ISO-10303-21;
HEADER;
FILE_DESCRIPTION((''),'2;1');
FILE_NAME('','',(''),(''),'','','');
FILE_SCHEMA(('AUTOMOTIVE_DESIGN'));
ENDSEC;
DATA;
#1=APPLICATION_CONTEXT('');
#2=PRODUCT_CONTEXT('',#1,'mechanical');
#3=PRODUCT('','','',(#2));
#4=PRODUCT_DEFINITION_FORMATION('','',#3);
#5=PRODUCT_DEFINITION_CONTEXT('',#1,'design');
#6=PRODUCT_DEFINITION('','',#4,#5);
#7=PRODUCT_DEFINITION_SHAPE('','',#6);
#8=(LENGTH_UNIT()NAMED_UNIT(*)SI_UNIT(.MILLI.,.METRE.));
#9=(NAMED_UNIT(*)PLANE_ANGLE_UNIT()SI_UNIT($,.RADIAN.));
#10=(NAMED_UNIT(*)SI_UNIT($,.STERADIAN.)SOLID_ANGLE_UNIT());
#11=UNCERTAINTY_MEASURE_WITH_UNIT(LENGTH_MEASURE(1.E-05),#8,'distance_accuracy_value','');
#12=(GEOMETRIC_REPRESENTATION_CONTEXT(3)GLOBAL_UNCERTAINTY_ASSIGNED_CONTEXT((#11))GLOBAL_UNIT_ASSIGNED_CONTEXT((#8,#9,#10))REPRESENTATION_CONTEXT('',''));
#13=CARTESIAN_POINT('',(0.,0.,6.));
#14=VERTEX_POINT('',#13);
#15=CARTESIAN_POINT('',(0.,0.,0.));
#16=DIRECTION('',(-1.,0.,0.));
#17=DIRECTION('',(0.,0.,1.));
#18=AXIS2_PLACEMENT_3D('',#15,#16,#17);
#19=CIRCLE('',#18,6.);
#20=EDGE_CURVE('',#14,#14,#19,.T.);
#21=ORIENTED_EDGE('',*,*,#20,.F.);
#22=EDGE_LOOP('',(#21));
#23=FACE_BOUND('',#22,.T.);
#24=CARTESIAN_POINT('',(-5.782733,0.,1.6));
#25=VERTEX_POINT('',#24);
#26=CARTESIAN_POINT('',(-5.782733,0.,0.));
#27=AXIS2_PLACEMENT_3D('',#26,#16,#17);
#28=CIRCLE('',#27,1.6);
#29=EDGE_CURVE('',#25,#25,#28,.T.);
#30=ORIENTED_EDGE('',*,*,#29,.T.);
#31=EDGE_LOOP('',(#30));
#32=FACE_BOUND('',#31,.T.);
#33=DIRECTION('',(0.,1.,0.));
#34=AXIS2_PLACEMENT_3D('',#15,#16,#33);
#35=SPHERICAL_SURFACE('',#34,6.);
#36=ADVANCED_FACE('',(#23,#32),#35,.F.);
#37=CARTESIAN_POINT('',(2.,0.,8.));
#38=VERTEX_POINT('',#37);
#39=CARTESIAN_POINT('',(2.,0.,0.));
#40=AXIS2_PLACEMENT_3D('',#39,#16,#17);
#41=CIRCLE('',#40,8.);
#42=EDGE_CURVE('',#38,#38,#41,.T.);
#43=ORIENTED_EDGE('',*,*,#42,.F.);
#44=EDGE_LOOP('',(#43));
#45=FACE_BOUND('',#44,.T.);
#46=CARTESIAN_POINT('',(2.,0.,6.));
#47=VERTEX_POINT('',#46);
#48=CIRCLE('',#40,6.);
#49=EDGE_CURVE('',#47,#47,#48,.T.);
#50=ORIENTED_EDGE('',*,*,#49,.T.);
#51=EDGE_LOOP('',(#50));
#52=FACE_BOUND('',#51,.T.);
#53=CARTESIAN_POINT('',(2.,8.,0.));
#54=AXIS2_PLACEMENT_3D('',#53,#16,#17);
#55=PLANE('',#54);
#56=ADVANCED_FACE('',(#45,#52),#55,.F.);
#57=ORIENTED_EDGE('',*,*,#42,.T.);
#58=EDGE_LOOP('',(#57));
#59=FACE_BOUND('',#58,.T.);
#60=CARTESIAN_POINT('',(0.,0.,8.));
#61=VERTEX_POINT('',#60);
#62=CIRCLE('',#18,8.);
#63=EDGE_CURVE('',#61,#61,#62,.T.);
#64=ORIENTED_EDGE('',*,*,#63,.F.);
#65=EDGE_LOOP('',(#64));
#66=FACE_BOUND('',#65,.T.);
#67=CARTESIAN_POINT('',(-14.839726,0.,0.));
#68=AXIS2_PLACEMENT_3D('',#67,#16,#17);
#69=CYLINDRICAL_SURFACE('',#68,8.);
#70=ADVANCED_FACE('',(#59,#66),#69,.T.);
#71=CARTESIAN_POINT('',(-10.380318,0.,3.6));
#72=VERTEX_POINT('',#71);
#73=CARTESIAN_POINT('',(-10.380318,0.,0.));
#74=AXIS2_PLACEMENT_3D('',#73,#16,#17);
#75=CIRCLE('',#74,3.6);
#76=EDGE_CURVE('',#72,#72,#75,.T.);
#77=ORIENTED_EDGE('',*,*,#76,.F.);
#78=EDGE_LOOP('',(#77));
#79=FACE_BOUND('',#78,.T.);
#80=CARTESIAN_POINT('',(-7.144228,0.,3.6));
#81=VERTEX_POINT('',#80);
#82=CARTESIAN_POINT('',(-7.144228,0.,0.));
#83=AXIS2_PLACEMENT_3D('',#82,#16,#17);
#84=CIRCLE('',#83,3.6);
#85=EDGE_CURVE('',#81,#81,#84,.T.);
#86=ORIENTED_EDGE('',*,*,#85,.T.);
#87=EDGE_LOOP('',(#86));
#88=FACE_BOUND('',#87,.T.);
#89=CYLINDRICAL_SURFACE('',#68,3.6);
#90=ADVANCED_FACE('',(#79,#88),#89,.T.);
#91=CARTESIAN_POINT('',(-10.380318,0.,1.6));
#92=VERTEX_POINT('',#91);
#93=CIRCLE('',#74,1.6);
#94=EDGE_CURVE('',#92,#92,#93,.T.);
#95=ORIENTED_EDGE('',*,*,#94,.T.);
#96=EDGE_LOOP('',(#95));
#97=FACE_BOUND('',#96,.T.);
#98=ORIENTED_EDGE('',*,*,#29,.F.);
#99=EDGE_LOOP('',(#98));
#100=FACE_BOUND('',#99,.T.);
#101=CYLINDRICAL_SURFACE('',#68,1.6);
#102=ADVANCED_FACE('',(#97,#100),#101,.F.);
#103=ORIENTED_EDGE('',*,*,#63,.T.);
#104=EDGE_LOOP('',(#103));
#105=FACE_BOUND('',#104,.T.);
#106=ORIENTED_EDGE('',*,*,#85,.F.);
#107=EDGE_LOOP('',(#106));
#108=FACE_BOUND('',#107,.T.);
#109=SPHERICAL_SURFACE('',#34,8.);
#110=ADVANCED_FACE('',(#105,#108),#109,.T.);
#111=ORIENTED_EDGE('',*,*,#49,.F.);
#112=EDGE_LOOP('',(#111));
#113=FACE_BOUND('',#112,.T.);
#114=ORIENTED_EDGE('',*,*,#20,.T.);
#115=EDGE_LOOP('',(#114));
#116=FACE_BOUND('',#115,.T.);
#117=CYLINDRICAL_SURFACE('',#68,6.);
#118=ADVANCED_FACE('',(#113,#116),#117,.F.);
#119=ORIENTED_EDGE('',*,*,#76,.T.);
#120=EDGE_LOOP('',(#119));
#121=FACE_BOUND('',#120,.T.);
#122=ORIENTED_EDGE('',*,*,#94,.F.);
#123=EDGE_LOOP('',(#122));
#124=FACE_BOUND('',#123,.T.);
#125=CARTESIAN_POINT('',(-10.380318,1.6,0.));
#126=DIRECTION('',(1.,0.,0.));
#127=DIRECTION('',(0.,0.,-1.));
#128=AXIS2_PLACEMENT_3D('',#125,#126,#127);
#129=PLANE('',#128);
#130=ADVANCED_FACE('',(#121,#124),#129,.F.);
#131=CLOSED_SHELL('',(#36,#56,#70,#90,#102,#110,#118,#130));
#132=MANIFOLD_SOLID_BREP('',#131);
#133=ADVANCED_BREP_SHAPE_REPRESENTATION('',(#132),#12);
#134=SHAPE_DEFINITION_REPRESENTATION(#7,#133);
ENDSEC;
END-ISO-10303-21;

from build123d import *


with BuildPart() as part:
    # Sketch1 → Revolve1 (revolve)
    with BuildSketch(Plane.XY):
        with BuildLine():
            Line((-10.380317683, 1.6), (-7.838367177, 1.6))
            Line((-7.838367177, 1.6), (-5.782732918, 1.6))
            ThreePointArc((-5.782732918, 1.6), (-3.633180425, 4.774934555), (0, 6))
            Line((0, 6), (2, 6))
            Line((2, 6), (2, 8))
            Line((2, 8), (0, 8))
            ThreePointArc((0, 8), (-4.195235393, 6.811754546), (-7.14422844, 3.6))
            Line((-7.14422844, 3.6), (-10.380317683, 3.6))
            Line((-10.380317683, 3.6), (-10.380317683, 1.6))
        make_face()
    revolve(axis=Axis((-14.839725853, 0, 0), (1, 0, 0)))


solid = part.part
